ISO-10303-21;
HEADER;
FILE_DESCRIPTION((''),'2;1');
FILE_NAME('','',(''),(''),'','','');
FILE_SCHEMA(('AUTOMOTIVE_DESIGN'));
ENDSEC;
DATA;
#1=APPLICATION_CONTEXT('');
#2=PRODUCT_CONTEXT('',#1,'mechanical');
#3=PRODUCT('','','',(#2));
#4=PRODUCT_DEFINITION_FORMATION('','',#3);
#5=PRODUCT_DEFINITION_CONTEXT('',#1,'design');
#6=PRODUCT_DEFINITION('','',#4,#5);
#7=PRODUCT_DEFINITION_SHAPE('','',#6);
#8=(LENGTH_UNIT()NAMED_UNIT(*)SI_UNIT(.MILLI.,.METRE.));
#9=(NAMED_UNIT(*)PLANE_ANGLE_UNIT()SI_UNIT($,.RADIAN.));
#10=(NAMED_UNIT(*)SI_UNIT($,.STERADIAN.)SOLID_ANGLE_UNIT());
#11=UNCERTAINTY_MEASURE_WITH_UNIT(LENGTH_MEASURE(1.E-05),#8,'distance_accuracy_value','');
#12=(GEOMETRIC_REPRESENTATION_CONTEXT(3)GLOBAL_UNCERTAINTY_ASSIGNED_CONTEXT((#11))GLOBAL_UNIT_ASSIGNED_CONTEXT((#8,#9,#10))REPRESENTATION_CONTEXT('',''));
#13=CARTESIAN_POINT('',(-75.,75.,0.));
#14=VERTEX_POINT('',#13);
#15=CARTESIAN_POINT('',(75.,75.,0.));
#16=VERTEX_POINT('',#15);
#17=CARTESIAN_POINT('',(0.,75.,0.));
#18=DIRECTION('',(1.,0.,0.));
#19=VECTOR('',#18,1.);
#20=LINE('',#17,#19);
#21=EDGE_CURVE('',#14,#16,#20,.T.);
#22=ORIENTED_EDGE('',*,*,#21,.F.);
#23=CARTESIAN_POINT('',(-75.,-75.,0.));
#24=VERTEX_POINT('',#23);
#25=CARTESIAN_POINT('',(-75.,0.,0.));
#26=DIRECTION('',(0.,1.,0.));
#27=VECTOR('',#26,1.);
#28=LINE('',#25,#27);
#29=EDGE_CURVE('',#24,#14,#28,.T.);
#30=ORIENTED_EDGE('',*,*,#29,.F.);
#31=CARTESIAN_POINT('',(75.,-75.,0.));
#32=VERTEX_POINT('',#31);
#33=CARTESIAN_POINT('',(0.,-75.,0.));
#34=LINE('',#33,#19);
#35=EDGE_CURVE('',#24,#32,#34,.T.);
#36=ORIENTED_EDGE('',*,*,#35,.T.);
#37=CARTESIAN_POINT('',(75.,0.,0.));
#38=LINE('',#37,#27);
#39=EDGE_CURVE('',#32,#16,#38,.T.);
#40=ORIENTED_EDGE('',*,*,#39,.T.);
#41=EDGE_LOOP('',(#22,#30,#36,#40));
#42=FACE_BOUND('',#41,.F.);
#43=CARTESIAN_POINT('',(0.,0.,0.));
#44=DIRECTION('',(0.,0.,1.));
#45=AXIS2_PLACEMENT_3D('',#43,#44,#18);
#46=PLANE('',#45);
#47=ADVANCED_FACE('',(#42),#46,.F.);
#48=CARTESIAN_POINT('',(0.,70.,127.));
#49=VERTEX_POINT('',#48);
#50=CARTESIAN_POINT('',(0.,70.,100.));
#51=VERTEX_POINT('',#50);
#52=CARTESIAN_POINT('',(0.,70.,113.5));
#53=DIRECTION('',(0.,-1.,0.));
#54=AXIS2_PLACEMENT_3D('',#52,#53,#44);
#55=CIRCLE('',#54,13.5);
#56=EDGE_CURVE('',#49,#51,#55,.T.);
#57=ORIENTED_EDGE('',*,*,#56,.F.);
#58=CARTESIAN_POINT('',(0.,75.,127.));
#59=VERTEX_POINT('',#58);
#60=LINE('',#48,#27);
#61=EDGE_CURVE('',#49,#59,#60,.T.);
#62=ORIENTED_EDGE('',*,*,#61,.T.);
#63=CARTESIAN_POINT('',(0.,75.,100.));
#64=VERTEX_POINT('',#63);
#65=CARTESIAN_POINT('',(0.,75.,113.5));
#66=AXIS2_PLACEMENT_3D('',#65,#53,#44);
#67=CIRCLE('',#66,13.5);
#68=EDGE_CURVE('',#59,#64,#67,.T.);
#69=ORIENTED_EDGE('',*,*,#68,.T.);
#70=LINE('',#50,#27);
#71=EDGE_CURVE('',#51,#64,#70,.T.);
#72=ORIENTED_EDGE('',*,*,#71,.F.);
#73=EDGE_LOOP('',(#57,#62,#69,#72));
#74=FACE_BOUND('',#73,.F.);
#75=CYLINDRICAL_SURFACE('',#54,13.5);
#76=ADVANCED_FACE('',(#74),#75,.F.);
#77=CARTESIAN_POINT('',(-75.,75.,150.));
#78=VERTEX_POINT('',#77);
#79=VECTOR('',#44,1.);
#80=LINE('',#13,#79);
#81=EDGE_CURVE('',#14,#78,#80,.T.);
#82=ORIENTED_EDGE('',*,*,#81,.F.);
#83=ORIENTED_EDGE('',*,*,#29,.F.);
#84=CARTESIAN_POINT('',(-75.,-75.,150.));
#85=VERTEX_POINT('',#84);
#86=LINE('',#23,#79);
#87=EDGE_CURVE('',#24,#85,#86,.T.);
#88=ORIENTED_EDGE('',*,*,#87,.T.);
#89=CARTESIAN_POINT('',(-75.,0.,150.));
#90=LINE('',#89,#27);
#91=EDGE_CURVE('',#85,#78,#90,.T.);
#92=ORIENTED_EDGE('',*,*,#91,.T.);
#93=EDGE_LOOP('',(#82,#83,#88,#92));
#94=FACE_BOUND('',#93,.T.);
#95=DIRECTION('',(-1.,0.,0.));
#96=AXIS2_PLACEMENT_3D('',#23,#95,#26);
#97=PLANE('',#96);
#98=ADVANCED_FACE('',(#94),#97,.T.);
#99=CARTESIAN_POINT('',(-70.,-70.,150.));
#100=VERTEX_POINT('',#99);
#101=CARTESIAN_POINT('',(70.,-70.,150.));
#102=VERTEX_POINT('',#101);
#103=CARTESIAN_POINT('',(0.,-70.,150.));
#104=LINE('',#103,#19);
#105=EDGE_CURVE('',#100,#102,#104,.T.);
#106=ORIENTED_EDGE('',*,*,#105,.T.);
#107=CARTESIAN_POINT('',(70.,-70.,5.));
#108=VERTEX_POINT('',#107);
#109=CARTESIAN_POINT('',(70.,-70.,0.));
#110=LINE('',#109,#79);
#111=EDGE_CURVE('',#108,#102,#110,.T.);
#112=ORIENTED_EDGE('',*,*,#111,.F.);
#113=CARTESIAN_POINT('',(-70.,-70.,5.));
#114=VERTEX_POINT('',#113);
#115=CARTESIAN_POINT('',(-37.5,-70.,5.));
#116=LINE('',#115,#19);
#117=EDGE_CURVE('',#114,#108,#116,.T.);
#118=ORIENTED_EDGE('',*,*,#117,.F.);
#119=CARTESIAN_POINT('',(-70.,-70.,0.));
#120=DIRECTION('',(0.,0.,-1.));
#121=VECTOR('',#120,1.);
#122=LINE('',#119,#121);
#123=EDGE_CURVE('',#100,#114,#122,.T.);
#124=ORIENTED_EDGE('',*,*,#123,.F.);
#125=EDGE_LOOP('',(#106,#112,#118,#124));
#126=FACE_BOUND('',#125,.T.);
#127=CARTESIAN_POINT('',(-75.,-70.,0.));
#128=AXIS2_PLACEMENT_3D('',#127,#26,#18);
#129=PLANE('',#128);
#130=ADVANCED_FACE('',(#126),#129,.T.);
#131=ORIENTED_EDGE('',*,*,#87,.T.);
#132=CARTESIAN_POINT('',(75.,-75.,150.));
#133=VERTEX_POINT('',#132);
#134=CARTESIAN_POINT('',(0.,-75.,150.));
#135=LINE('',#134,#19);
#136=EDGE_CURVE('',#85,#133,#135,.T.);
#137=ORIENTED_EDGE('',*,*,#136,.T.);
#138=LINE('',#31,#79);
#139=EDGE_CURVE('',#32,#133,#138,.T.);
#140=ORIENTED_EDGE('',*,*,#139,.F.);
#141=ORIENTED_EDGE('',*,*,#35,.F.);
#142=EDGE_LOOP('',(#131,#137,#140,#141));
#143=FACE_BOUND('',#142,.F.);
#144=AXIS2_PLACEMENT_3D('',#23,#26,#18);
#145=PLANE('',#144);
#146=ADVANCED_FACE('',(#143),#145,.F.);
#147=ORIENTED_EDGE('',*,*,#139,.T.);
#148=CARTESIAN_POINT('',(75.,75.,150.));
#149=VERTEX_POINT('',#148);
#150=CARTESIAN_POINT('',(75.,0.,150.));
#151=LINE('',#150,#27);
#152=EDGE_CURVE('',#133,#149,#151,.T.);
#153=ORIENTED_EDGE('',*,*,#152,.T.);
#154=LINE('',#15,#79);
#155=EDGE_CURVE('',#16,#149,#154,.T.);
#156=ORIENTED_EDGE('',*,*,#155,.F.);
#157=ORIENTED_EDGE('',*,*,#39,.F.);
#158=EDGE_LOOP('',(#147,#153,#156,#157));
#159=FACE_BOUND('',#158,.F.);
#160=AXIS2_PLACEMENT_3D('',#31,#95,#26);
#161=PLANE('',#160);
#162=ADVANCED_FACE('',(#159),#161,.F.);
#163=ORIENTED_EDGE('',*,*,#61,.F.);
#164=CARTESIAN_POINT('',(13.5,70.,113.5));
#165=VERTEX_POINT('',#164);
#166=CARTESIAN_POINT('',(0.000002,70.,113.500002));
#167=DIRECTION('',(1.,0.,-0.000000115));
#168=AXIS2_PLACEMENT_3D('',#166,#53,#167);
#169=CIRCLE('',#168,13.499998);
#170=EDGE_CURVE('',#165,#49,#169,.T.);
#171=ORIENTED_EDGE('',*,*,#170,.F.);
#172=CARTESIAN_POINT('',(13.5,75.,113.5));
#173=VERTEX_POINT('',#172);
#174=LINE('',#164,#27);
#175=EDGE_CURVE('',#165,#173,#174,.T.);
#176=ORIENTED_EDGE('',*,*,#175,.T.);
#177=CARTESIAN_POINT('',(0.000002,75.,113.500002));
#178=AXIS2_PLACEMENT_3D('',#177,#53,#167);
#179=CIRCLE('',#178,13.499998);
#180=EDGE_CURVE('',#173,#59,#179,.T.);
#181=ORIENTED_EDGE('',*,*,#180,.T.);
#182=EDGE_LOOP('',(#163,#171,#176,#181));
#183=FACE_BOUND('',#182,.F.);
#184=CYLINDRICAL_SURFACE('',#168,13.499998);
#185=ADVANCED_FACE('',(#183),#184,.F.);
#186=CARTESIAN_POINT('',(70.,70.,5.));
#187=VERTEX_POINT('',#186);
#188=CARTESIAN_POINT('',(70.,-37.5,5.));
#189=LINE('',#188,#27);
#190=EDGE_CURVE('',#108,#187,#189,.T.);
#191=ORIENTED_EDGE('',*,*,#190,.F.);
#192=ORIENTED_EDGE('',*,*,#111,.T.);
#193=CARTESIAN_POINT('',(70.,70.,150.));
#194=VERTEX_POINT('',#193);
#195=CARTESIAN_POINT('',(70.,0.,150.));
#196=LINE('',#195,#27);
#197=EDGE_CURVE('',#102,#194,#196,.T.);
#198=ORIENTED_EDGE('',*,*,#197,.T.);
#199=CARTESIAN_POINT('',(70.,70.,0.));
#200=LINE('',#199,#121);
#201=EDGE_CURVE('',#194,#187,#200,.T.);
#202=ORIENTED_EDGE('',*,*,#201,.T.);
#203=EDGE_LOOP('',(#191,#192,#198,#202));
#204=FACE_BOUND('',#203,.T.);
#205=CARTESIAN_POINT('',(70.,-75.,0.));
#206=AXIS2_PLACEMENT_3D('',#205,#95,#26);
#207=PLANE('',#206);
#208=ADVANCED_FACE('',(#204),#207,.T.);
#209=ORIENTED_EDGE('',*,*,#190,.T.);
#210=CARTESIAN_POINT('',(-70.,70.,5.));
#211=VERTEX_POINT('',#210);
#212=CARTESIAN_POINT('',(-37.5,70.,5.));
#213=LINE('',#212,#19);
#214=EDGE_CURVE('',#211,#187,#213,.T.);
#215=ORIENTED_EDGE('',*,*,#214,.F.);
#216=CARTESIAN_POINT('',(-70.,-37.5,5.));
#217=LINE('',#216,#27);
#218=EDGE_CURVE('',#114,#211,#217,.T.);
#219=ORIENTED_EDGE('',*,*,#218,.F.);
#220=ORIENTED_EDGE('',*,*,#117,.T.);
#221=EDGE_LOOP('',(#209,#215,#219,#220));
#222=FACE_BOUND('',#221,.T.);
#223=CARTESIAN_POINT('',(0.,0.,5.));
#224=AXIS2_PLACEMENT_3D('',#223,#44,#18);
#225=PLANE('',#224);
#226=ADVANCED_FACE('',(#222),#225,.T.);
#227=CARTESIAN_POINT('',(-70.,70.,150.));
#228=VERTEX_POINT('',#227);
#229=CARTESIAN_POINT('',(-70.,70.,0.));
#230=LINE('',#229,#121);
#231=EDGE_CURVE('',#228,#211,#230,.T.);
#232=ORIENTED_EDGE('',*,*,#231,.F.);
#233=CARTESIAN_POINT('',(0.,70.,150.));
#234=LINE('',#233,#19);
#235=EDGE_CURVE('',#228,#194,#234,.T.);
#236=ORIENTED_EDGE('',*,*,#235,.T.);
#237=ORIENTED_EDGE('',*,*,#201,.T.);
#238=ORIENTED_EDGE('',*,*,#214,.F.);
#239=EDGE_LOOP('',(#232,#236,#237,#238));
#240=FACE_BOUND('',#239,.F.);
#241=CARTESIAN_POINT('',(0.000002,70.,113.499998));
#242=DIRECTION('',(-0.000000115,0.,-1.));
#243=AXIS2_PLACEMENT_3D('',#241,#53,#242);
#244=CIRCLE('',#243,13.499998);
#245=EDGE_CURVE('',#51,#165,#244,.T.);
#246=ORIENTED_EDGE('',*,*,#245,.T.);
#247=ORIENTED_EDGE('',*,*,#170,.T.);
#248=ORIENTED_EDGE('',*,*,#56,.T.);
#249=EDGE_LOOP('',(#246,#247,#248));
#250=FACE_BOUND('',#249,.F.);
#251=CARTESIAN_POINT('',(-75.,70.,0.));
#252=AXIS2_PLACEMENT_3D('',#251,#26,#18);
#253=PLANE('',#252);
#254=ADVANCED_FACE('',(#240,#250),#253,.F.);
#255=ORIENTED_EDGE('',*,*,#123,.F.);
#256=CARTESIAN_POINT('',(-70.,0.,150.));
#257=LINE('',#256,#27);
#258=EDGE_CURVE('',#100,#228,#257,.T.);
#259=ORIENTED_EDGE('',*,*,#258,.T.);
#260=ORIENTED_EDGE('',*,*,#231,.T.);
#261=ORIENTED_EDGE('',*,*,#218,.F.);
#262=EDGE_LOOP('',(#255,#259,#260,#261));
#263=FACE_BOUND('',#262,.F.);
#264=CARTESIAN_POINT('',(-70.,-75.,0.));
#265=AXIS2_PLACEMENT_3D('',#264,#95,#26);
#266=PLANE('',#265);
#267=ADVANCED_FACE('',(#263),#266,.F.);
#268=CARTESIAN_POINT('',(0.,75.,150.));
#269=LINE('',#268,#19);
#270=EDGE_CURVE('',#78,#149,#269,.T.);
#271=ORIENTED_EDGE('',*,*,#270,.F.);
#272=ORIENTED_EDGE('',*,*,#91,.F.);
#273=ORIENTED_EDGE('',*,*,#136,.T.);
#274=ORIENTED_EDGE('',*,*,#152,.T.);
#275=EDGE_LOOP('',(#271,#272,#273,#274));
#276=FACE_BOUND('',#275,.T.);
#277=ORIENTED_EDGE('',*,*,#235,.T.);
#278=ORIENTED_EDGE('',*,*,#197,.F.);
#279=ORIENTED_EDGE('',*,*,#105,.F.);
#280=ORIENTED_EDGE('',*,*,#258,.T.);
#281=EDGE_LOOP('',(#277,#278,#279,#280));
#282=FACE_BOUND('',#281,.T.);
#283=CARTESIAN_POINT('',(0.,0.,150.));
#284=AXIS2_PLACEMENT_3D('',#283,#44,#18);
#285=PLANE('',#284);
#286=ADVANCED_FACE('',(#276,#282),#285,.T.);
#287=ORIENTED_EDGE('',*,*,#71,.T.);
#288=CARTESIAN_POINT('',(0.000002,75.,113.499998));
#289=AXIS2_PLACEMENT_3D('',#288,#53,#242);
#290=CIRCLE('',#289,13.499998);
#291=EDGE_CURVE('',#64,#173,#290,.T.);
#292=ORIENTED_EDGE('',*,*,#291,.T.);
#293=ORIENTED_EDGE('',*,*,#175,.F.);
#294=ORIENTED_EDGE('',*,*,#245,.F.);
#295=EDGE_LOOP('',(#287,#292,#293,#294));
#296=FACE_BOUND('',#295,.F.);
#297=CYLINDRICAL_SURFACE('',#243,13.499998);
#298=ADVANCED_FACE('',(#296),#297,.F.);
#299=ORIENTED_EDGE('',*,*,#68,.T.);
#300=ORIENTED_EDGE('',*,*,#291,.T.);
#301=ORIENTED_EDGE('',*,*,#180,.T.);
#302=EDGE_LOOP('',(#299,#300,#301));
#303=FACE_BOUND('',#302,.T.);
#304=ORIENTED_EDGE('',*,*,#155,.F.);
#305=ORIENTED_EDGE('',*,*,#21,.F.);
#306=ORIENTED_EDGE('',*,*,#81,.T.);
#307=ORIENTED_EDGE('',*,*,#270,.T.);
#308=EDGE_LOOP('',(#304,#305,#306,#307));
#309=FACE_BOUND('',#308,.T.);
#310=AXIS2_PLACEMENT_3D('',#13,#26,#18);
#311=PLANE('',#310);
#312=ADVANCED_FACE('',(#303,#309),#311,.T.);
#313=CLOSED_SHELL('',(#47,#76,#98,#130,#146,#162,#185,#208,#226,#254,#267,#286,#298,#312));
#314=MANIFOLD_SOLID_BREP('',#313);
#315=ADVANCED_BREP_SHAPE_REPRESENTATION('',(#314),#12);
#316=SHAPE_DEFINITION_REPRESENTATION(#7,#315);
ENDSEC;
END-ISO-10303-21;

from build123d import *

# Parameters (mm, degrees)
F0_W     = 150
F0_H     = 150
F1_DEPTH = 150
F2_T     = -5
F4_DEPTH = 5


with BuildPart() as f1:
    # F0 (on Top) → F1 (new body)
    with BuildSketch(Plane.XY):
        Rectangle(F0_W, F0_H)
    extrude(amount=F1_DEPTH)

    # F2
    f2_openings = [f1.faces().sort_by_distance(p)[0] for p in [
        (0, 0, 150),
    ]]
    offset(amount=F2_T, openings=f2_openings)

    # F3 (on face) → F4 (cut)
    with BuildSketch(Plane.XZ.offset(-70)):
        with BuildLine():
            ThreePointArc((13.5, 113.5), (9.545942, 123.045942), (0, 127))
            Line((0, 127), (0, 100))
            ThreePointArc((0, 100), (9.545942, 103.954058), (13.5, 113.5))
        make_face()
        with BuildLine():
            Line((0, 100), (0, 127))
            ThreePointArc((0, 127), (-13.5, 113.5), (0, 100))
        make_face()
    extrude(amount=-F4_DEPTH, mode=Mode.SUBTRACT)


solid = f1.part
